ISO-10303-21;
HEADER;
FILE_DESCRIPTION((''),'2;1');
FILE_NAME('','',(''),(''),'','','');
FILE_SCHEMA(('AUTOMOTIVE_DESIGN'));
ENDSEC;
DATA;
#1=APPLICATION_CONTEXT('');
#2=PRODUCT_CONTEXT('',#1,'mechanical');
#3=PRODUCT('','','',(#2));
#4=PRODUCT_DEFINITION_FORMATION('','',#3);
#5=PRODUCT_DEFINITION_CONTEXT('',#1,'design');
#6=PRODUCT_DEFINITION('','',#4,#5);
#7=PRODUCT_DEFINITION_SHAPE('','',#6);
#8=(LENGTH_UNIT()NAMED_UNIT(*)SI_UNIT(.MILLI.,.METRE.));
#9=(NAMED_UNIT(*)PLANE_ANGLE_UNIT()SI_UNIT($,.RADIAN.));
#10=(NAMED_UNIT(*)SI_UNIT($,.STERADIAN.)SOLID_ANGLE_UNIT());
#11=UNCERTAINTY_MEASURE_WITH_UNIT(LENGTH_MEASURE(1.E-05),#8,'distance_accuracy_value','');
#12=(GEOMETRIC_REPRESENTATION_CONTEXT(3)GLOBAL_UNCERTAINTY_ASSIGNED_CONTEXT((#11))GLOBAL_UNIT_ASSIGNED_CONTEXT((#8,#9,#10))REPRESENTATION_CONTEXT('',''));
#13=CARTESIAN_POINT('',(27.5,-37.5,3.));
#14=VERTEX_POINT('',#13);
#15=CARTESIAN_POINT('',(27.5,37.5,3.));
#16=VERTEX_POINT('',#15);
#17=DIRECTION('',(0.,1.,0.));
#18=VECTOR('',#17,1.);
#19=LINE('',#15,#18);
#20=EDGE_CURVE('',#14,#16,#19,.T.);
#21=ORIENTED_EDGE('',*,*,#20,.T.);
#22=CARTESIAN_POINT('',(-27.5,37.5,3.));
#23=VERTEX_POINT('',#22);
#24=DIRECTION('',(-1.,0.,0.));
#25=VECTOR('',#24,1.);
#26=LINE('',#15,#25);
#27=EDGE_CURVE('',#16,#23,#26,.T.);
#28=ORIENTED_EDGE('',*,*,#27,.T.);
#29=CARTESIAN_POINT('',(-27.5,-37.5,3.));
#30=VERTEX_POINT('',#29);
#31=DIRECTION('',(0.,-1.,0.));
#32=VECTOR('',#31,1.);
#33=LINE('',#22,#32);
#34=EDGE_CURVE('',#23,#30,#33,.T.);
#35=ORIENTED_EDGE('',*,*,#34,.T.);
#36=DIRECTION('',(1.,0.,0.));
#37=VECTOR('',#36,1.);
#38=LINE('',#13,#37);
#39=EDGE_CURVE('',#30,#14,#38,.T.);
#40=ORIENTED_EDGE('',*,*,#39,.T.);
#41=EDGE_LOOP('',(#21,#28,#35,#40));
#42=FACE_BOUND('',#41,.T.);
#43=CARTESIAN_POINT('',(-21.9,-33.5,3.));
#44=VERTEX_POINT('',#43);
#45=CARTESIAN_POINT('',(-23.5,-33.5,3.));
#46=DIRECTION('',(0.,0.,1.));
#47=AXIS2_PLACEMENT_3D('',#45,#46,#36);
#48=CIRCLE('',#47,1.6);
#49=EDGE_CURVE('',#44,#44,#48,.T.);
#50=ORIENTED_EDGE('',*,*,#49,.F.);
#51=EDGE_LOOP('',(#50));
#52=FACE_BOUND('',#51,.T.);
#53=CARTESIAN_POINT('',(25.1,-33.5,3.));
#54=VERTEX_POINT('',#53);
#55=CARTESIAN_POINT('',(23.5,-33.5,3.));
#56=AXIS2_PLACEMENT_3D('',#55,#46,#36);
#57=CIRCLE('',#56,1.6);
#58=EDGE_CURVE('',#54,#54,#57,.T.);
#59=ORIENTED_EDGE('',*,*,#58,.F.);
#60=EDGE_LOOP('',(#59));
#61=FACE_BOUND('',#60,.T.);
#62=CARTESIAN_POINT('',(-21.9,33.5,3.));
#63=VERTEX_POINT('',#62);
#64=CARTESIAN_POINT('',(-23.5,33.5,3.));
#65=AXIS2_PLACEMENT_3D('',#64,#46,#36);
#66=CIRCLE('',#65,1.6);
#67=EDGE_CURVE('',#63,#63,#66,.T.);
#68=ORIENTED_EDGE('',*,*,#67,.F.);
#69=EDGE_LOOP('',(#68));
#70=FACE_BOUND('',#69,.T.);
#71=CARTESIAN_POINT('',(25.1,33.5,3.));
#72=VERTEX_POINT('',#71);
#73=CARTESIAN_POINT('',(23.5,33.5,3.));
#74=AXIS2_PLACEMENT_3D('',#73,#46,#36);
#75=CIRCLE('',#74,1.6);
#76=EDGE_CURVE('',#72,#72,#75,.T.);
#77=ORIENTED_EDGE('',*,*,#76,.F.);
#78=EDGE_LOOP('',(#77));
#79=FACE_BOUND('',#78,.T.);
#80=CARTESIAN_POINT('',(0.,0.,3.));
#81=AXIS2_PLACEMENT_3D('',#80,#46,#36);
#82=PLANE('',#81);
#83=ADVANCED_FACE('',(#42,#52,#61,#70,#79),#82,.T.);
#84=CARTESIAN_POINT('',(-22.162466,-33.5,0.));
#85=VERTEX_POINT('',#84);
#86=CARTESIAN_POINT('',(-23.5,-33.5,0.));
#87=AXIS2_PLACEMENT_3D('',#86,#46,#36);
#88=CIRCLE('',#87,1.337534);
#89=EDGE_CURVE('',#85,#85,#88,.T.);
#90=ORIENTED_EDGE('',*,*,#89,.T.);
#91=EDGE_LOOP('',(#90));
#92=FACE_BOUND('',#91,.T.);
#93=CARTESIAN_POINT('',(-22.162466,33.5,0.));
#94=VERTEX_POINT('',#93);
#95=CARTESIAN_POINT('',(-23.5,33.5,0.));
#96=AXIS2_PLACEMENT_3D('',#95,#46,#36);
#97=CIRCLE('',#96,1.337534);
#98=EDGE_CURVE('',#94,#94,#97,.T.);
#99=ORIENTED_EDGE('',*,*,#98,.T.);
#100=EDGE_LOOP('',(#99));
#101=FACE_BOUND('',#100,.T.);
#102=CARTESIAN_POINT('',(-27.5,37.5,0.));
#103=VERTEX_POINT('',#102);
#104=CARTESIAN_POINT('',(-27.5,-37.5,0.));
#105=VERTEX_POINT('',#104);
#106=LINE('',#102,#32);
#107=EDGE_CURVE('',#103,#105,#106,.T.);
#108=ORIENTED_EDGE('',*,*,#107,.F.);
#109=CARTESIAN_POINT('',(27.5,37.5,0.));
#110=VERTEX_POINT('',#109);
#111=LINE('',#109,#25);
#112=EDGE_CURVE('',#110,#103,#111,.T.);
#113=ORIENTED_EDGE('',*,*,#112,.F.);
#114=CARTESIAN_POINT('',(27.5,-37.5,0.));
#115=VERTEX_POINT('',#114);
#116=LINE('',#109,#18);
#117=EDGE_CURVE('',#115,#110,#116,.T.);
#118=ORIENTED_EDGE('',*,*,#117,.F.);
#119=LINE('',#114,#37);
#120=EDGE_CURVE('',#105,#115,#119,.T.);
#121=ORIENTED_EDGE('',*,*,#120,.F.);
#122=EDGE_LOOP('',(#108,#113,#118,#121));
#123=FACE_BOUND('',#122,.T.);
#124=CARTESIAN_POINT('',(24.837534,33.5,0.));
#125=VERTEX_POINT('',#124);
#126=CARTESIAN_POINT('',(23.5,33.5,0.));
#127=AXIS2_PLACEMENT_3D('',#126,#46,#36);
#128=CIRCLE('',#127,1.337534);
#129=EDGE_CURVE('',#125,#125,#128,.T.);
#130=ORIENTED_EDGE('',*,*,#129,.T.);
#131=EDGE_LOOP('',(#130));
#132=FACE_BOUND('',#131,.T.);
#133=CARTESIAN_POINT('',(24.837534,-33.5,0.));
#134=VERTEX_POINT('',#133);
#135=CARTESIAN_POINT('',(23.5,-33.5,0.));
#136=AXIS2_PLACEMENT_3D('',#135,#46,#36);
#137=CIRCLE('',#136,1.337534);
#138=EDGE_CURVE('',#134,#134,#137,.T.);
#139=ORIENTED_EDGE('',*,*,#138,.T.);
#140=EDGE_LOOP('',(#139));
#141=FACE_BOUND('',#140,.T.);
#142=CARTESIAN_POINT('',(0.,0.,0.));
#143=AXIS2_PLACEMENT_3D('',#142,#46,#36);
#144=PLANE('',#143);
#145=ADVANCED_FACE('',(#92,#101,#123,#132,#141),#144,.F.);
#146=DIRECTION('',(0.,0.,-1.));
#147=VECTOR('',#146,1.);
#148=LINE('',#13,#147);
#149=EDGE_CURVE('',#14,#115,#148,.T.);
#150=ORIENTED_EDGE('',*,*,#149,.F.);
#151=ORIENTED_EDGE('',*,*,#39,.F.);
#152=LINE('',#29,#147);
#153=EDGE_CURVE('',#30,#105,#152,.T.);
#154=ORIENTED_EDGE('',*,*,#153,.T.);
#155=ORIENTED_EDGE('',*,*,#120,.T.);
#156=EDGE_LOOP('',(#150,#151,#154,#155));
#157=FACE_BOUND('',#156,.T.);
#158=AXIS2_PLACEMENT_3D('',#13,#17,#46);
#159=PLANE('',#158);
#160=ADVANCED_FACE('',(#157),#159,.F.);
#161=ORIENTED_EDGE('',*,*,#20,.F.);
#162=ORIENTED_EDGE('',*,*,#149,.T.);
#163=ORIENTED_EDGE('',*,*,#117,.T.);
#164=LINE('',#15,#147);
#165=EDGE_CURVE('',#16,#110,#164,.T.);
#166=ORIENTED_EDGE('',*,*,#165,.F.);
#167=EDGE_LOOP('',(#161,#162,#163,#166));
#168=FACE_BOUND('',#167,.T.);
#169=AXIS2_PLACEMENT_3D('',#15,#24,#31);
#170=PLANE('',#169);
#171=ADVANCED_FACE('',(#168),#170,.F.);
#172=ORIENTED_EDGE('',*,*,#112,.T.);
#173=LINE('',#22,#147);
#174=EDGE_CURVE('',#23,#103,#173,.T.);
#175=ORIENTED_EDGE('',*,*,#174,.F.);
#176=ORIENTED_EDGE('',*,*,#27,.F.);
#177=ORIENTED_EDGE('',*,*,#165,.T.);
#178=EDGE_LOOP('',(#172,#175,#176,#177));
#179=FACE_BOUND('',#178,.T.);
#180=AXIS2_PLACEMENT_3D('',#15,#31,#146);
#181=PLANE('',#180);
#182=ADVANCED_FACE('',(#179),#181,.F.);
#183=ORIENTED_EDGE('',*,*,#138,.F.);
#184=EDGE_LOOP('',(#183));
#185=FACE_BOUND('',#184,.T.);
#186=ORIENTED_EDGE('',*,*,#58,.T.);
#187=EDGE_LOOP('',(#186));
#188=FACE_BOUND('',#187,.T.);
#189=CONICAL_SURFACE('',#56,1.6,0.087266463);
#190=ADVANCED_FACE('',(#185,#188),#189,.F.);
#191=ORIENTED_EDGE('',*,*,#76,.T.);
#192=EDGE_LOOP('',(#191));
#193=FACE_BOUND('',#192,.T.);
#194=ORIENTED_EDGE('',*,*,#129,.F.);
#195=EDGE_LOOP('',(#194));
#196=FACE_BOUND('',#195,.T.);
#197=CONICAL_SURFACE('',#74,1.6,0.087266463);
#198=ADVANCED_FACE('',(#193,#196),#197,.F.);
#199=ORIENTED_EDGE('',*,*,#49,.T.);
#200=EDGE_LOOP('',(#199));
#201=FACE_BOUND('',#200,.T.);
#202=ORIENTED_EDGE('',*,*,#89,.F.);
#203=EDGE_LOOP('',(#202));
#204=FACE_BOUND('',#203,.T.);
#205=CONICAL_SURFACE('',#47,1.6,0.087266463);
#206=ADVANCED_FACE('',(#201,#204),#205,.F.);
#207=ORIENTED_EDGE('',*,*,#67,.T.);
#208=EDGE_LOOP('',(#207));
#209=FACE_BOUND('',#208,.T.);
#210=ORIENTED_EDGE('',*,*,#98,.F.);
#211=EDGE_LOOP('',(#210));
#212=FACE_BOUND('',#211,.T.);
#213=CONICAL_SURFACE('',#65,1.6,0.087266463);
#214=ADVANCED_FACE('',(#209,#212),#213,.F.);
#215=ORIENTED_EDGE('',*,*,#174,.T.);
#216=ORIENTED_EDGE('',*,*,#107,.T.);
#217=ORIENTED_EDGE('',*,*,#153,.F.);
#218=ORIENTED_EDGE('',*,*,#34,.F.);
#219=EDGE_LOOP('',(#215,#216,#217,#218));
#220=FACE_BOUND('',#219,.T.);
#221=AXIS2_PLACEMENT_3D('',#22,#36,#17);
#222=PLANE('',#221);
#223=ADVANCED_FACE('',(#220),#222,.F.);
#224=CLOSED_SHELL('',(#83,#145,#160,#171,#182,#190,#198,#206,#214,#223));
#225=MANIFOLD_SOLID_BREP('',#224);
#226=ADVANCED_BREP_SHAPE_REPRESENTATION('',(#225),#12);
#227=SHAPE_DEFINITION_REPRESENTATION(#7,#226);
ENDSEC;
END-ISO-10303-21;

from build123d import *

# Parameters (mm, degrees)
SKETCH1_W           = 75
SKETCH1_H           = 55
BOSS_EXTRUDE1_DEPTH = 3


with BuildPart() as part:
    # Sketch1 → Boss-Extrude1 (new body)
    with BuildSketch(Plane(origin=(0, 0, 0), x_dir=(0, 1, 0), z_dir=(0, 0, 1))):
        Rectangle(SKETCH1_W, SKETCH1_H)
    extrude(amount=BOSS_EXTRUDE1_DEPTH)

    # Cut-Extrude1 cone 1 section (through the dimple's axis) → Cut-Extrude1 (revolve, cut)
    with BuildSketch(Plane(origin=(-23.5, 33.5, 3), x_dir=(0, -1, 0), z_dir=(1, 0, 0))):
        Polygon((0, 0), (1.6, 0), (0, 18.288083684), align=None)
    revolve(axis=Axis((-23.5, 33.5, 3), (0, 0, -1)), mode=Mode.SUBTRACT)

    # Cut-Extrude1 cone 2 section (through the dimple's axis) → Cut-Extrude1 cone 2 (revolve, cut)
    with BuildSketch(Plane(origin=(23.5, 33.5, 3), x_dir=(0, -1, 0), z_dir=(1, 0, 0))):
        Polygon((0, 0), (1.6, 0), (0, 18.288083684), align=None)
    revolve(axis=Axis((23.5, 33.5, 3), (0, 0, -1)), mode=Mode.SUBTRACT)

    # Cut-Extrude1 cone 3 section (through the dimple's axis) → Cut-Extrude1 cone 3 (revolve, cut)
    with BuildSketch(Plane(origin=(-23.5, -33.5, 3), x_dir=(0, -1, 0), z_dir=(1, 0, 0))):
        Polygon((0, 0), (1.6, 0), (0, 18.288083684), align=None)
    revolve(axis=Axis((-23.5, -33.5, 3), (0, 0, -1)), mode=Mode.SUBTRACT)

    # Cut-Extrude1 cone 4 section (through the dimple's axis) → Cut-Extrude1 cone 4 (revolve, cut)
    with BuildSketch(Plane(origin=(23.5, -33.5, 3), x_dir=(0, -1, 0), z_dir=(1, 0, 0))):
        Polygon((0, 0), (1.6, 0), (0, 18.288083684), align=None)
    revolve(axis=Axis((23.5, -33.5, 3), (0, 0, -1)), mode=Mode.SUBTRACT)


solid = part.part
